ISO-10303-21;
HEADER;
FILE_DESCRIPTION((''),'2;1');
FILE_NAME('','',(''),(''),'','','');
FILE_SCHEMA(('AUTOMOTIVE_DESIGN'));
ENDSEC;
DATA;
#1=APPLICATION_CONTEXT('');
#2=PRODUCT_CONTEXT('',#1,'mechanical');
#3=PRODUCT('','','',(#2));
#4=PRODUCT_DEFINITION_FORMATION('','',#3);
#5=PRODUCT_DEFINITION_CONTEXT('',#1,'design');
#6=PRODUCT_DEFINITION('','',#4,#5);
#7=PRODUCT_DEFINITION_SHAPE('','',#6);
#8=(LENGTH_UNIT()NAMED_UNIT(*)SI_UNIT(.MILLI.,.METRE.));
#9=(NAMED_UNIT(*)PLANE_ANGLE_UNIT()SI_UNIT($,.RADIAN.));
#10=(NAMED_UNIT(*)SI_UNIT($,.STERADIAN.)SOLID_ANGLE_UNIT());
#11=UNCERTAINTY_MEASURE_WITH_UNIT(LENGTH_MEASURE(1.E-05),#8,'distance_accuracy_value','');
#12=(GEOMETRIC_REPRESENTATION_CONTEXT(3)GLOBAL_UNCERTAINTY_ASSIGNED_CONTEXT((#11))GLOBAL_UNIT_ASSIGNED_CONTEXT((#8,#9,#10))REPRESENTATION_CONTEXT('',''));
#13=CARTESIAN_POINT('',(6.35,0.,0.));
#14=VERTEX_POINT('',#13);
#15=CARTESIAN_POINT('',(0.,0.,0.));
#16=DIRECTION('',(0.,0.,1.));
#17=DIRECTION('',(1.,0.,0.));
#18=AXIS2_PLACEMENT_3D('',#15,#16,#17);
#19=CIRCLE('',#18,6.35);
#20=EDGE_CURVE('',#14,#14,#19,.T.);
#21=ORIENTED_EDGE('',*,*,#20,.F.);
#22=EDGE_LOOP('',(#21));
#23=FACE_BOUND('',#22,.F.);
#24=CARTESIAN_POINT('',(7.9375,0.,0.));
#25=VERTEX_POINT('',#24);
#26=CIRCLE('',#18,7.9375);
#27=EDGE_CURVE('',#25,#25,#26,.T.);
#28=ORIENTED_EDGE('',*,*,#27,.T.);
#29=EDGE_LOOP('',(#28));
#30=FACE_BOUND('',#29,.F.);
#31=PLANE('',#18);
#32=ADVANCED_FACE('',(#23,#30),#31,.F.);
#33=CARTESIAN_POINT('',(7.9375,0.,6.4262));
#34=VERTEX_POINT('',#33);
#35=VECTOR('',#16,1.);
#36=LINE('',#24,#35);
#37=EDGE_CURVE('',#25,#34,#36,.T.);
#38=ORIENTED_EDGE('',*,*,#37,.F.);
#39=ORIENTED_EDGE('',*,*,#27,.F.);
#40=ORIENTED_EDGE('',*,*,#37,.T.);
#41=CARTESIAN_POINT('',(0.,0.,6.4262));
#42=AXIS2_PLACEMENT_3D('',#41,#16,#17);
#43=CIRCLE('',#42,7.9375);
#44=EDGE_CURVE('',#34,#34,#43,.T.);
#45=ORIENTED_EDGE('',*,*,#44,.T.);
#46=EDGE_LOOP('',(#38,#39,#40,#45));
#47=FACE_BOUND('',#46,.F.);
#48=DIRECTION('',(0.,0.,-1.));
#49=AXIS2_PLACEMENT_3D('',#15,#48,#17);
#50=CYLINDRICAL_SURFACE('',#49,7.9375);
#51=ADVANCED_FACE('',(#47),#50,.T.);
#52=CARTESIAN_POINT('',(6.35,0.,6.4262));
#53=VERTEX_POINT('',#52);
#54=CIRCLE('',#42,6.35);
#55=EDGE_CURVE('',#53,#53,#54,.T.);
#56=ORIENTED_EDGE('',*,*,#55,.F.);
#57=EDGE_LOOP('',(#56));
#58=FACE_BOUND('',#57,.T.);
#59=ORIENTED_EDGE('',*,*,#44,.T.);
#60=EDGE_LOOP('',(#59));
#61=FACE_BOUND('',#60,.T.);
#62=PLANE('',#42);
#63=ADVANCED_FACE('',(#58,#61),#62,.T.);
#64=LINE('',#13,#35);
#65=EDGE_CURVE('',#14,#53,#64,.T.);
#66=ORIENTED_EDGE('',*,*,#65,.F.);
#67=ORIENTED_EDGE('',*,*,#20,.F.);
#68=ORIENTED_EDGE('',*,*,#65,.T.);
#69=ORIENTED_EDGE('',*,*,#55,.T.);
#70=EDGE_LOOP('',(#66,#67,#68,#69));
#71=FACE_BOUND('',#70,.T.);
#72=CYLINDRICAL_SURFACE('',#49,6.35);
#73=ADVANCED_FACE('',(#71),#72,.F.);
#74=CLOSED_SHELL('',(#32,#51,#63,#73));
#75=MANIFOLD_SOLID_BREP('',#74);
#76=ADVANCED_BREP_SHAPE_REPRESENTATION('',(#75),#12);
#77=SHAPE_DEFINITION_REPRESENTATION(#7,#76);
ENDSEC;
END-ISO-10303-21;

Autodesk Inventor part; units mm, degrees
ref_plane "YZ Plane" through (0, 0, 0) normal (1, 0, 0) x (0, 1, 0)
ref_plane "XZ Plane" through (0, 0, 0) normal (0, 1, 0) x (-1, 0, 0)
ref_plane "XY Plane" through (0, 0, 0) normal (0, 0, 1) x (1, 0, 0)
sketch "Sketch1" plane through (0, 0, 0) normal (0, 0, 1) x (1, 0, 0)
  circle A0 centre (0, 0) radius 6.35
  circle A1 centre (0, 0) radius 7.9375
  dimension "d0" = 12.7
  dimension "d1" = 15.875
extrude "Extrusion1" add sketch "Sketch1" along normal blind 6.4262
properties part number "PVC pipe spacer" material "PVC-Piping"
